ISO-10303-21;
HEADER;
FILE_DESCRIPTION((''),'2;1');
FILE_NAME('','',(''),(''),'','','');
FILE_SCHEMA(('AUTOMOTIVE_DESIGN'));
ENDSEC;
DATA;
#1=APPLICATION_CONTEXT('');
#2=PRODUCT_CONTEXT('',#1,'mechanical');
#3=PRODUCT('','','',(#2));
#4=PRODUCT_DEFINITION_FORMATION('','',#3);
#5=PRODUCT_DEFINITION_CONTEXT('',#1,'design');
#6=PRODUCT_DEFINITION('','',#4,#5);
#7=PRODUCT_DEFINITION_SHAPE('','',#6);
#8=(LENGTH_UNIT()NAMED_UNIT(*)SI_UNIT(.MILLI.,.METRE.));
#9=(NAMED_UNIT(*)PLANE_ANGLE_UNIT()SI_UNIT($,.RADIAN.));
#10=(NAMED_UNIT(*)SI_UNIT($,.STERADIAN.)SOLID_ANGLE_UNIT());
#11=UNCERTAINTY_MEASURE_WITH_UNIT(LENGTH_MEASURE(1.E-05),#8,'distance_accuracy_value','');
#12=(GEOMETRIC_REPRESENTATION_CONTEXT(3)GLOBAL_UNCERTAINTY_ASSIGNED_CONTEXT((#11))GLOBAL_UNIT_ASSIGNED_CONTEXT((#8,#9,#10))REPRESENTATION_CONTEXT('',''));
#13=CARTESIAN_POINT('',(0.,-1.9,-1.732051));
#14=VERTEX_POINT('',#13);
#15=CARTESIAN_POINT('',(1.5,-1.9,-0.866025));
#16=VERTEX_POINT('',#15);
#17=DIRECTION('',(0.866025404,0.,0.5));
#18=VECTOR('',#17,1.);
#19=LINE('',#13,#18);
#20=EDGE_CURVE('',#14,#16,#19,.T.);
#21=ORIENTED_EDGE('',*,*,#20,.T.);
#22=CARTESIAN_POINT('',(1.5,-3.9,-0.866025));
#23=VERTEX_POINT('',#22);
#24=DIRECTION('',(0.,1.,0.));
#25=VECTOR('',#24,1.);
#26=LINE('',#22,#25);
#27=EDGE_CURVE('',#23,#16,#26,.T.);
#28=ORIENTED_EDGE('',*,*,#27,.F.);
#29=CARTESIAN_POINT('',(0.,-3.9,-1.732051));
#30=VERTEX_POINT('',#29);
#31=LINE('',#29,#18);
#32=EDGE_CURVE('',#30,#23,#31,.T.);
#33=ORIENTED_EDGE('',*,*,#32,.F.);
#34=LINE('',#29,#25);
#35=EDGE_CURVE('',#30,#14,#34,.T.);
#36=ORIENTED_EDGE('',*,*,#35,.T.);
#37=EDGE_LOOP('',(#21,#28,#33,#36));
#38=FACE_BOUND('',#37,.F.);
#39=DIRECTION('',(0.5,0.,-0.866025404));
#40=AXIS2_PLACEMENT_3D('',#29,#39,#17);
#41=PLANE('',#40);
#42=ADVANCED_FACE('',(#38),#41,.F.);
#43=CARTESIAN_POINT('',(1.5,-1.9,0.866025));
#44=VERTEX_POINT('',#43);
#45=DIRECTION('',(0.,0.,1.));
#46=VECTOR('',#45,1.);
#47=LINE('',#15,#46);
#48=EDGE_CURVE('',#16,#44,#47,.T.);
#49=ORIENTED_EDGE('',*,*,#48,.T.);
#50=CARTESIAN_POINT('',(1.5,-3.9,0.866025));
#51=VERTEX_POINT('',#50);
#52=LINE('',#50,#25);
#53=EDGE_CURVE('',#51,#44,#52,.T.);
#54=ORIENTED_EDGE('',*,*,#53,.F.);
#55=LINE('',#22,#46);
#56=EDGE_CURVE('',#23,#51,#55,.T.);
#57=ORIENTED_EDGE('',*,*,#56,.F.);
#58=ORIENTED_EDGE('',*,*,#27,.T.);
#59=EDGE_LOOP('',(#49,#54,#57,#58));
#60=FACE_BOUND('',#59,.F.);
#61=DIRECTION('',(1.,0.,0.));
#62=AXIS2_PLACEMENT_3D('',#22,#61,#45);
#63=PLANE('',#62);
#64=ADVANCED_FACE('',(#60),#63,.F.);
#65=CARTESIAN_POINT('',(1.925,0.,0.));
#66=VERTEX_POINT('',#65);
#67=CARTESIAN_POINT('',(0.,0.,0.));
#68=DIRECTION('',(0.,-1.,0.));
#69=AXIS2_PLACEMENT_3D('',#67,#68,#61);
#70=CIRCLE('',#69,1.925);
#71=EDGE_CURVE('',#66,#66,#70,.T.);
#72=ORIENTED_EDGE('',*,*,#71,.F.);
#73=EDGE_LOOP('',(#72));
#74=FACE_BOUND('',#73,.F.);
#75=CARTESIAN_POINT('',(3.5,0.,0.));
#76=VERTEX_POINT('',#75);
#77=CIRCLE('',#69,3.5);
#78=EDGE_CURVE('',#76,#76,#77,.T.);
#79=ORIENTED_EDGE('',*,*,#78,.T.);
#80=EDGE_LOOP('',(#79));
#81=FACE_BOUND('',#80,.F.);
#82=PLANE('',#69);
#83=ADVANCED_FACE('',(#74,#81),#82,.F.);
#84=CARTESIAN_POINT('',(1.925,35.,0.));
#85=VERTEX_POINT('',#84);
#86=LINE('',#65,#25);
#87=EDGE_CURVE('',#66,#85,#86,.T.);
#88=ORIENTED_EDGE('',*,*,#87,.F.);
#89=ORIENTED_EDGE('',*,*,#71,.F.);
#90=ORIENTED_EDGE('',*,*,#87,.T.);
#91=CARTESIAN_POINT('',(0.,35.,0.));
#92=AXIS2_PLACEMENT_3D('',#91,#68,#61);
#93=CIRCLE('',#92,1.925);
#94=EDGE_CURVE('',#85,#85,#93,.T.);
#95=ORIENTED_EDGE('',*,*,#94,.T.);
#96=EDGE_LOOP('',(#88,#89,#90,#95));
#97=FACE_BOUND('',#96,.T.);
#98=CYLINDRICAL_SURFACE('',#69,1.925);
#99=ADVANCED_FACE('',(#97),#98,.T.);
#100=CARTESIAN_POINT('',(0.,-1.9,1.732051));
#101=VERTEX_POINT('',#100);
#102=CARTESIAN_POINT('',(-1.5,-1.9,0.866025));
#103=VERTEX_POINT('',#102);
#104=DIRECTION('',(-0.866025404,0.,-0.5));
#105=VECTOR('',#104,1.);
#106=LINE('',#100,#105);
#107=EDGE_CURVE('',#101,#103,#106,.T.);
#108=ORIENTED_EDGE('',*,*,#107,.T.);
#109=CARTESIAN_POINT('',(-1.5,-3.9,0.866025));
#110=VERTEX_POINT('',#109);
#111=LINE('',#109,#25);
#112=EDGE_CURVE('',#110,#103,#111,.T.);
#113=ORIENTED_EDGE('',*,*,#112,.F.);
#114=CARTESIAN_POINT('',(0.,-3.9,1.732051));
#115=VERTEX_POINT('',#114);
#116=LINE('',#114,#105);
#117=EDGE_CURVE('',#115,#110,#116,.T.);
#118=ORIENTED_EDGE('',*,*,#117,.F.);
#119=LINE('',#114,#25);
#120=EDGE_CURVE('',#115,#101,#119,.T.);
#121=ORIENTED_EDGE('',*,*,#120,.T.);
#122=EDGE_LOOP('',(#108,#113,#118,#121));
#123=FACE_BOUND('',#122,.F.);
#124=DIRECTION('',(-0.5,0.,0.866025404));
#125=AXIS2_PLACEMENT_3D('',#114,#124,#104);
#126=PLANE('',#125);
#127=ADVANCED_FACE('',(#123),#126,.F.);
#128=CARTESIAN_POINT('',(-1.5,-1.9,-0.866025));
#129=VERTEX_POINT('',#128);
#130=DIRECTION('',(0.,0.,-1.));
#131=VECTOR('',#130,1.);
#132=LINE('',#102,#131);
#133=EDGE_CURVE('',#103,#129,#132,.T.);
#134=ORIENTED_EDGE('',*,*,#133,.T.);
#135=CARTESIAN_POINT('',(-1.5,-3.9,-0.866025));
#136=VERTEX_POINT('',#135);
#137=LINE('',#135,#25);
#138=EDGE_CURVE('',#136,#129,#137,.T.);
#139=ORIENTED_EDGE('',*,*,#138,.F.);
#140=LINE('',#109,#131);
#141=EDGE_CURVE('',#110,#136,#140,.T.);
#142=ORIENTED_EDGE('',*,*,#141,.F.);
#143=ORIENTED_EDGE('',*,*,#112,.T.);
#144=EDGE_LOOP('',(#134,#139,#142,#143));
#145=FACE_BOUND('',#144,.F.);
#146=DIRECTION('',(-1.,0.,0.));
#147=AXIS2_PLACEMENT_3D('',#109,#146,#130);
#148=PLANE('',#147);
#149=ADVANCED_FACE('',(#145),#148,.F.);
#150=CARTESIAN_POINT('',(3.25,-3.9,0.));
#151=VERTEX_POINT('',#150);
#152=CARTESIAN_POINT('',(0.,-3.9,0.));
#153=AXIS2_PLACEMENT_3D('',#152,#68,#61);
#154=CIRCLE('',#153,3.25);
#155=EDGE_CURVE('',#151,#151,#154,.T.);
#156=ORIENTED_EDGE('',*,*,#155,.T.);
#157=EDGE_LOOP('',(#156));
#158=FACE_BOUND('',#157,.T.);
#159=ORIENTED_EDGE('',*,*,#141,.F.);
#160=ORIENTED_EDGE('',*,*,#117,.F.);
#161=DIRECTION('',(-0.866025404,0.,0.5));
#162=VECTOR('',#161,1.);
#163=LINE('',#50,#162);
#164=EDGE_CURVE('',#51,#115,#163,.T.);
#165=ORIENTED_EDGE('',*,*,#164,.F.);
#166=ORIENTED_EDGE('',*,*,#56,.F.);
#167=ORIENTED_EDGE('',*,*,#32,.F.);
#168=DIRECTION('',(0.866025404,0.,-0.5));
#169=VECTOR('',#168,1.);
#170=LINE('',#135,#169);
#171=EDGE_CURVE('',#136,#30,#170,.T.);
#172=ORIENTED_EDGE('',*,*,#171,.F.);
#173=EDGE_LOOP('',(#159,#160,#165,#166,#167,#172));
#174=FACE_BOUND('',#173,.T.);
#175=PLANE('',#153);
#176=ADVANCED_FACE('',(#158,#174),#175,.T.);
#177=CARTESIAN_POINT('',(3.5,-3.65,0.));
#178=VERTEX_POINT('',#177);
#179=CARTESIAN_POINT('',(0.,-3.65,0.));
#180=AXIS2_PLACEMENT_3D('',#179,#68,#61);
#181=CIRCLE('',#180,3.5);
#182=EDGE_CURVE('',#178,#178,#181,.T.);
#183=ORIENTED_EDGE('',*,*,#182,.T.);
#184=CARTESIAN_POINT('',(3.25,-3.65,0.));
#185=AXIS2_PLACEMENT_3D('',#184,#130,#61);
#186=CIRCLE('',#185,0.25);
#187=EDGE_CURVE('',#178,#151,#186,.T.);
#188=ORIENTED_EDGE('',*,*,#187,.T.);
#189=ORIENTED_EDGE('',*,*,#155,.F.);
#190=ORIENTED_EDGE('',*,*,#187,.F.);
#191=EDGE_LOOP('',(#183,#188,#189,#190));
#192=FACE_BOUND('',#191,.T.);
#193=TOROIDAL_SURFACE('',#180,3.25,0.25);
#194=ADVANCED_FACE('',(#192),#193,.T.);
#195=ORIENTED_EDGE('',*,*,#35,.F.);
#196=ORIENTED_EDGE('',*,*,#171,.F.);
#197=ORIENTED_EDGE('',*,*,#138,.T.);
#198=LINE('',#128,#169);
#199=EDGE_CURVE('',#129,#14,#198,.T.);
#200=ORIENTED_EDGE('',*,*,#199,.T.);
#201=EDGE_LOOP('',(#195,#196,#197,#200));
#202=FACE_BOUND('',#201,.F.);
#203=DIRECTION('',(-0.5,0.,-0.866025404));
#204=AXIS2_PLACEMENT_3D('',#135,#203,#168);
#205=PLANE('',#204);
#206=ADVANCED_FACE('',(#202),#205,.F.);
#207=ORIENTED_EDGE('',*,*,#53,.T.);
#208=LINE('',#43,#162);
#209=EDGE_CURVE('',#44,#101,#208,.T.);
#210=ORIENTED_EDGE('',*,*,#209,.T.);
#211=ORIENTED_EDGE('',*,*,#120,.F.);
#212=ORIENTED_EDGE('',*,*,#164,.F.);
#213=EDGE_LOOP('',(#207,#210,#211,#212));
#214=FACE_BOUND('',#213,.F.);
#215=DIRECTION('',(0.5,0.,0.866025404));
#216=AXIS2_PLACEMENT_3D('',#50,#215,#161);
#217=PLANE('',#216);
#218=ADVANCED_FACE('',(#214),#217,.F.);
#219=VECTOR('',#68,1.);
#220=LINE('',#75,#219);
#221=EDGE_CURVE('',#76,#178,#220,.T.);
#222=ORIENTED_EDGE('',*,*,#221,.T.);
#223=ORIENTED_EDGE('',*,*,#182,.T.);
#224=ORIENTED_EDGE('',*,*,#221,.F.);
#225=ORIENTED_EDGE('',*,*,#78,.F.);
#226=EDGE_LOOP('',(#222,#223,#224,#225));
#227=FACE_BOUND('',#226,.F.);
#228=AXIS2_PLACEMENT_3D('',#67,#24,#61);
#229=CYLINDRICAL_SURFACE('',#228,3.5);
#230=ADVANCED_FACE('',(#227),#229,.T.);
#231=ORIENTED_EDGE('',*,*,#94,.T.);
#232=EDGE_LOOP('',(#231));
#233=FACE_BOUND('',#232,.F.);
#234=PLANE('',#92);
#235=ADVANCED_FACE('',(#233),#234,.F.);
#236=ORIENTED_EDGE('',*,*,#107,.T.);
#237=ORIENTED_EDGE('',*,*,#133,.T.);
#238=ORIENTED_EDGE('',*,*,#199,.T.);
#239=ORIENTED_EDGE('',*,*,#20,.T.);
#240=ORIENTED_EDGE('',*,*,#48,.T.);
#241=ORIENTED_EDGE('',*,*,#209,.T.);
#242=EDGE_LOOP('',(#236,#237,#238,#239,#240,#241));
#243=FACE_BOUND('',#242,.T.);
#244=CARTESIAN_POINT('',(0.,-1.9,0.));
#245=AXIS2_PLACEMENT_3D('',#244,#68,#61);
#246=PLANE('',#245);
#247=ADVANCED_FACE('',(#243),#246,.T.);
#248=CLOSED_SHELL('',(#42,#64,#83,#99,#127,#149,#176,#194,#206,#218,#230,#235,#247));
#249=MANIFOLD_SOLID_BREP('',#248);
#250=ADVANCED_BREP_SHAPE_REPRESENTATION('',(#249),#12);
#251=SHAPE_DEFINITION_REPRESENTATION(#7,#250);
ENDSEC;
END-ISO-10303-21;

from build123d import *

# Parameters (mm, degrees)
F0_R     = 3.5
F0_R_2   = 1.925
F1_DEPTH = 3.9
F2_DEPTH = 35
F4_DEPTH = 2
F5_R     = 0.25


with BuildPart() as f1:
    # F0 (on Front) → F1 (new body)
    with BuildSketch(Plane.XZ):
        Circle(F0_R)
        Circle(F0_R_2, mode=Mode.SUBTRACT)
        Circle(F0_R_2)
    extrude(amount=F1_DEPTH)

    # F0 (on Front) → F2 (join)
    with BuildSketch(Plane.XZ):
        Circle(F0_R_2)
    extrude(amount=-F2_DEPTH)

    # F3 (on face) → F4 (cut)
    with BuildSketch(Plane.XZ.offset(3.9)):
        Polygon((1.5, -0.8660254038), (1.5, 0.8660254038), (0, 1.7320508076), (-1.5, 0.8660254038), (-1.5, -0.8660254038), (0, -1.7320508076), align=None)
    extrude(amount=-F4_DEPTH, mode=Mode.SUBTRACT)

    # F5
    f5_edges = [f1.edges().sort_by_distance(p)[0] for p in [
        (-3.5, -3.9, 0),
    ]]
    fillet(f5_edges, radius=F5_R)


solid = f1.part
